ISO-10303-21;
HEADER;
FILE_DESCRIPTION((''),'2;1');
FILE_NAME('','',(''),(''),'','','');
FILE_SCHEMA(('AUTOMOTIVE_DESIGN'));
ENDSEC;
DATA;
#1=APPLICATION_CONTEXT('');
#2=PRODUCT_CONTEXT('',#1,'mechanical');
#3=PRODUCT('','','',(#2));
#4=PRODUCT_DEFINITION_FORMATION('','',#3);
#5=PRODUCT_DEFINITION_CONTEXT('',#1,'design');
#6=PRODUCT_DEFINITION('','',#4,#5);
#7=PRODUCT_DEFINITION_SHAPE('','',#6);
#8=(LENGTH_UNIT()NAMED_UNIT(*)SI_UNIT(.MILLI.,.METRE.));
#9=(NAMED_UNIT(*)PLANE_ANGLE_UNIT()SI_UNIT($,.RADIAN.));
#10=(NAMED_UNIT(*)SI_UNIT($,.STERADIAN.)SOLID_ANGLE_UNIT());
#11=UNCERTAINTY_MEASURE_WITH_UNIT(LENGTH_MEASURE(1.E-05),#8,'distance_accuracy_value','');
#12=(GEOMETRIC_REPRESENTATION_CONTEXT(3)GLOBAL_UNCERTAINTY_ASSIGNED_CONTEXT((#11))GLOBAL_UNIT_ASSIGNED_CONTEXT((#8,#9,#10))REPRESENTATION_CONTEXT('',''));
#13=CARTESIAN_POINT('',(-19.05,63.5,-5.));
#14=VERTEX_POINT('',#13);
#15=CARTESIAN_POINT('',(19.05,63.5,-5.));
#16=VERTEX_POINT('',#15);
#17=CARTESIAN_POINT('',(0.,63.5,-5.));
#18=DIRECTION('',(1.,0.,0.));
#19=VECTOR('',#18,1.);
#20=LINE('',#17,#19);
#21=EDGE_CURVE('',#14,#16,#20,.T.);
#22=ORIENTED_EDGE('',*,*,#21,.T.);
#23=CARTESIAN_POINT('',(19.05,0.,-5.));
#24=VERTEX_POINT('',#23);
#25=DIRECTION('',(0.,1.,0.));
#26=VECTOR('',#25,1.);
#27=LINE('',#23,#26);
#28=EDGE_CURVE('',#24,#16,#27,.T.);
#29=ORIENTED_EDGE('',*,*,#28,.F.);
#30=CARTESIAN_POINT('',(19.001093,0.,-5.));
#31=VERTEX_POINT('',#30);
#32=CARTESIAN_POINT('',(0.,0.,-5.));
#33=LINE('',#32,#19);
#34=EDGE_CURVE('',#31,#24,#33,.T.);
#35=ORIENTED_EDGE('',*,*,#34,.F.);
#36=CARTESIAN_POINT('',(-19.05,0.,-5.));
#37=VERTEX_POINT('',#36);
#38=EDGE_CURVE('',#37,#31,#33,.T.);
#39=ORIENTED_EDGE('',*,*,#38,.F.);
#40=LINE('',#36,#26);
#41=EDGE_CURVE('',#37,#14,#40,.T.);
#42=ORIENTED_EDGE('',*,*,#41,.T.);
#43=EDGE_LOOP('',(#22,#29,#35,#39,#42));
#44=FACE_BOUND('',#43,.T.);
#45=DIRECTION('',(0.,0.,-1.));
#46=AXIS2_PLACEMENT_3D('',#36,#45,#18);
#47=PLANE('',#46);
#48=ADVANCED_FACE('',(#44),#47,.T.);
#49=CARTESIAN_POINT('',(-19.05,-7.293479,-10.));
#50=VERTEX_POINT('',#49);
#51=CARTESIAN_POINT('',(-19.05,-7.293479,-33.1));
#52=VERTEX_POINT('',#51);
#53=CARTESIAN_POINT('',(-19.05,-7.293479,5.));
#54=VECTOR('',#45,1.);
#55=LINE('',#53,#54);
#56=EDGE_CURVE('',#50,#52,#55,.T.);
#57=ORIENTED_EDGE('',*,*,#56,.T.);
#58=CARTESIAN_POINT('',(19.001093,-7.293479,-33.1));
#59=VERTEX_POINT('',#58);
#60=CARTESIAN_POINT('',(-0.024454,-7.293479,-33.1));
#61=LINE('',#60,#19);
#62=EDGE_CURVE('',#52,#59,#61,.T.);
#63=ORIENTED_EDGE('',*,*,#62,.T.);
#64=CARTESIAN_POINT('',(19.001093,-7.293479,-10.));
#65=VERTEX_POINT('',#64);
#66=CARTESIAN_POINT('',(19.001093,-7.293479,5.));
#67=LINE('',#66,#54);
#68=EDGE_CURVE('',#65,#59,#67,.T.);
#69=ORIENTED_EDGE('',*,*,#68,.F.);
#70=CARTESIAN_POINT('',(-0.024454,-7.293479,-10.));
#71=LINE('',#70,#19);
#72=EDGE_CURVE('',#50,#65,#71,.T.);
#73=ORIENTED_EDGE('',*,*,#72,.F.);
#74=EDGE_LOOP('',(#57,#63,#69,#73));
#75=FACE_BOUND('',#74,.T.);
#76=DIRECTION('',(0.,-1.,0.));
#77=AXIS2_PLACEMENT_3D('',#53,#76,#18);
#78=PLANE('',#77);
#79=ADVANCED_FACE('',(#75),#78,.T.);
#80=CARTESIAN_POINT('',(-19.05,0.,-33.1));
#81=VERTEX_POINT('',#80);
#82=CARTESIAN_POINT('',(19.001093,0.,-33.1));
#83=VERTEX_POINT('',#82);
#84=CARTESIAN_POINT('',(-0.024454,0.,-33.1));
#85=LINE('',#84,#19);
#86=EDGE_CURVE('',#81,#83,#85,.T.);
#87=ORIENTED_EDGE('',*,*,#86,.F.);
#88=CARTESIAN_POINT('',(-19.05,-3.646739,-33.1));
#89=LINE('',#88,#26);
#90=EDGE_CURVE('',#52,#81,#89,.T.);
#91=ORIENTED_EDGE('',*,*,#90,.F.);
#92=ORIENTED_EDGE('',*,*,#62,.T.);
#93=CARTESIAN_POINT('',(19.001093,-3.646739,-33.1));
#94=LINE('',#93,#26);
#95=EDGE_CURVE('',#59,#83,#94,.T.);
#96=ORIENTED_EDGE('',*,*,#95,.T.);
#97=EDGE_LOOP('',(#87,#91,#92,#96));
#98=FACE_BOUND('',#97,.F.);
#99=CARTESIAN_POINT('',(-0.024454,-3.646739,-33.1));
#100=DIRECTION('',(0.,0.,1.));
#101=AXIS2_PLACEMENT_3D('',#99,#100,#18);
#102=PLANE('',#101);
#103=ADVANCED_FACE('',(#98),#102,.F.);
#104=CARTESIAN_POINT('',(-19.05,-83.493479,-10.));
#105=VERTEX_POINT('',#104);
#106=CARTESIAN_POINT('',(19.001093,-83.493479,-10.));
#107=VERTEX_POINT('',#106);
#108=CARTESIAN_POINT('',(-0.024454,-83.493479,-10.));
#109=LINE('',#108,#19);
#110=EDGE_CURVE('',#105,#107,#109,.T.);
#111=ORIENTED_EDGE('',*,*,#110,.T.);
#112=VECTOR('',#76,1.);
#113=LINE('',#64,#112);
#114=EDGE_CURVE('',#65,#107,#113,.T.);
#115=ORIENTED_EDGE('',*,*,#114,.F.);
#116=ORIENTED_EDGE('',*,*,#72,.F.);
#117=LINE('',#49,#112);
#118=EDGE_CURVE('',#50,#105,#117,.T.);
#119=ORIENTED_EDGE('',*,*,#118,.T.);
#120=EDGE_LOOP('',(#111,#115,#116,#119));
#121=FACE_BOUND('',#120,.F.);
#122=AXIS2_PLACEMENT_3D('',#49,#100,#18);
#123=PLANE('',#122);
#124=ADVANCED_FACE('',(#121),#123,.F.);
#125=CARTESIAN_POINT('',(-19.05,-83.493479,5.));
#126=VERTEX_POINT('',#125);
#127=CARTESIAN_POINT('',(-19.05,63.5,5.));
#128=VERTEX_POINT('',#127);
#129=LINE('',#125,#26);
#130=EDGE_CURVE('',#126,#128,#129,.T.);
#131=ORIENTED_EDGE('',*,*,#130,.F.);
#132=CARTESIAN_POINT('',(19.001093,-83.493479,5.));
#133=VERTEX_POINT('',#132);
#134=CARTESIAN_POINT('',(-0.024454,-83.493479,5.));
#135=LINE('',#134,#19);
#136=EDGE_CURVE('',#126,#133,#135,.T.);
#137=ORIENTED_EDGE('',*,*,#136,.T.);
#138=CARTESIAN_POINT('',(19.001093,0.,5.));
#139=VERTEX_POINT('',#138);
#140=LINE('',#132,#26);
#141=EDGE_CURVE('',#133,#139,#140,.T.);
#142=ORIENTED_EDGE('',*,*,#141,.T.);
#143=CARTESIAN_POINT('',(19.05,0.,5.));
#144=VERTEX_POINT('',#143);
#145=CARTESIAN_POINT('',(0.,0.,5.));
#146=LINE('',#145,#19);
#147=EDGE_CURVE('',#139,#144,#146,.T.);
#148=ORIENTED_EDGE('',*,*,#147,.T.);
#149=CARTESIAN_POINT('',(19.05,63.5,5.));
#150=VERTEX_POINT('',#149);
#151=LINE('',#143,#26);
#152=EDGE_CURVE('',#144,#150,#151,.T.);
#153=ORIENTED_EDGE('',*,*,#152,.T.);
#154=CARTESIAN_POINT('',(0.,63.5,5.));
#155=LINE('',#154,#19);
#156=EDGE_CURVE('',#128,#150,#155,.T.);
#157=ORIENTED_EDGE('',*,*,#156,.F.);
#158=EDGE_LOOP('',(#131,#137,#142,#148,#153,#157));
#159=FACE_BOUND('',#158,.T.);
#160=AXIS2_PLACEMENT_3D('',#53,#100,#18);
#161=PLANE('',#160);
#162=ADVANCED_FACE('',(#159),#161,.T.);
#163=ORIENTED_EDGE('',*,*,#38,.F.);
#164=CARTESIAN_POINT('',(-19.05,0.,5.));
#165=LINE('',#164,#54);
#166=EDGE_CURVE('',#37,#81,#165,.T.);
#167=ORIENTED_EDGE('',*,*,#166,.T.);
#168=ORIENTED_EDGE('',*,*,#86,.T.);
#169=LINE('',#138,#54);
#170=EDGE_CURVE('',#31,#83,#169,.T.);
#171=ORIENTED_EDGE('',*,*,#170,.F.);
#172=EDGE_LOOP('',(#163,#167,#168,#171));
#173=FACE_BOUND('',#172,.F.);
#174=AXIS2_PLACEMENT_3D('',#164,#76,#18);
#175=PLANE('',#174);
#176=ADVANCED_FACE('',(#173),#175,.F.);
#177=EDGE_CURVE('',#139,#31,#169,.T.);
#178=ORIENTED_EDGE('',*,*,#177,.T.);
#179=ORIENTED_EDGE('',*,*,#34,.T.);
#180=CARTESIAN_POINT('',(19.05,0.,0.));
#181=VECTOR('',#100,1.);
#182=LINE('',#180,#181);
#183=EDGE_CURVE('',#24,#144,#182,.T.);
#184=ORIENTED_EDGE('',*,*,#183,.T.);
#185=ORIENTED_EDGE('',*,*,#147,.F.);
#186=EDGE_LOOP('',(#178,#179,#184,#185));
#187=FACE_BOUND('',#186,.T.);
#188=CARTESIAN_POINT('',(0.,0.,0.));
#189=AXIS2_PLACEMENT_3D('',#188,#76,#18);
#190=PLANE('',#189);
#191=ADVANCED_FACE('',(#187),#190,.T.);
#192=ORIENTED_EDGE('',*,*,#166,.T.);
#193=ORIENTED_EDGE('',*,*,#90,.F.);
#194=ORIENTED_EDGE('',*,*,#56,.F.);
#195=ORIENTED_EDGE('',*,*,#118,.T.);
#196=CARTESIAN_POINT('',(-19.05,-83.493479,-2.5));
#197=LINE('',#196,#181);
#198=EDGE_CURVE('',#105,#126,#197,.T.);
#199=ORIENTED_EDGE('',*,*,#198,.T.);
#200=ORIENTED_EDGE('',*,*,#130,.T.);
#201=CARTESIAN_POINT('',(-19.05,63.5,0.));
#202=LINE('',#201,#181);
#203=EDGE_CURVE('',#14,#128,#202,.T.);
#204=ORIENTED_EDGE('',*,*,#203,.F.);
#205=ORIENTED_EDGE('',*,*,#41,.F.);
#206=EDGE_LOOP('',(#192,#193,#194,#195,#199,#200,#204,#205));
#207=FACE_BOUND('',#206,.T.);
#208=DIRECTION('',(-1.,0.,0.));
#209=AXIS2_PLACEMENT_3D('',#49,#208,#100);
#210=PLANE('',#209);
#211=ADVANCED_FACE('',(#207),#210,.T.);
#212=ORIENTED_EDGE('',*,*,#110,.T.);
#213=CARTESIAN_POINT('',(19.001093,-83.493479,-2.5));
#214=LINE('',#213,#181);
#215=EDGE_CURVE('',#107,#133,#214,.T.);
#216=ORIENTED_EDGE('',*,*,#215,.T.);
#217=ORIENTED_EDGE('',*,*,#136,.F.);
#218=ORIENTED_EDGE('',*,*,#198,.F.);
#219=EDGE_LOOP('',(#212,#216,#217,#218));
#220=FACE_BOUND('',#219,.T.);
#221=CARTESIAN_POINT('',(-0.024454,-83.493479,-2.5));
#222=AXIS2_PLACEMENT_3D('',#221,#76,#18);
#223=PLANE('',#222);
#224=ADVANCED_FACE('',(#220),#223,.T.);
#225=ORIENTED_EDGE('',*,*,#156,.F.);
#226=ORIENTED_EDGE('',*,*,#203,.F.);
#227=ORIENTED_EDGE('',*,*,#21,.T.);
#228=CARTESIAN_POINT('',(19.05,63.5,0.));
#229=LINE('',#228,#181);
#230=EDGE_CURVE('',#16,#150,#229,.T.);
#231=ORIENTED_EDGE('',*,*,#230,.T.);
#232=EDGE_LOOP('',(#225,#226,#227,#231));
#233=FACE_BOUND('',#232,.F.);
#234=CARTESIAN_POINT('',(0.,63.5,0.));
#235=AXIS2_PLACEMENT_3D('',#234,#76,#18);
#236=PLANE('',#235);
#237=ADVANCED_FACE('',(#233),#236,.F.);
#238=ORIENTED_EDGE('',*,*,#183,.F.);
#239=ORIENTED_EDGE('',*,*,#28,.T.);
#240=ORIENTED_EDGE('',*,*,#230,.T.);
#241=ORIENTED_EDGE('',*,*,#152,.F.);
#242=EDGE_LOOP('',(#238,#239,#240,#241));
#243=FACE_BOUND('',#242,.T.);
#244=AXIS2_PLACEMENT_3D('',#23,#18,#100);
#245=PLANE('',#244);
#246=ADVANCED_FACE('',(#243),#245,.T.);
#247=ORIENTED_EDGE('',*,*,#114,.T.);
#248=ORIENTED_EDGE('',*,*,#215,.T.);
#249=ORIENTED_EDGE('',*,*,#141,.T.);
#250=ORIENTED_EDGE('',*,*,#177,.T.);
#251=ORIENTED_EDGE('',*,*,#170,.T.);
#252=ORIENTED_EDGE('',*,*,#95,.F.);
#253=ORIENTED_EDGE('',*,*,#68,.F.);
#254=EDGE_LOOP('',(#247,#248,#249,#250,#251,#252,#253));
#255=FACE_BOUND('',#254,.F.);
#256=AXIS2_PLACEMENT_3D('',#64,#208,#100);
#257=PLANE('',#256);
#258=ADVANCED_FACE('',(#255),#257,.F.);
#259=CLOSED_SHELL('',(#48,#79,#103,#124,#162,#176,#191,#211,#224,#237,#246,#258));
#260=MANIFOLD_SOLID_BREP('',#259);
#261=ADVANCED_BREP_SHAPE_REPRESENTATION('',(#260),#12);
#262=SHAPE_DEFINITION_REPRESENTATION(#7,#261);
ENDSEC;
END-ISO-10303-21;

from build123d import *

# Parameters (mm, degrees)
F0_W     = 38.1
F0_H     = 10
F1_DEPTH = 63.5
F2_W     = 38.0510927618
F2_H     = 7.2934785858
F3_DEPTH = 38.1
F4_W     = 38.0510927618
F4_H     = 15
F5_DEPTH = 76.2


with BuildPart() as f1:
    # F0 (on Front) → F1 (new body)
    with BuildSketch(Plane.XZ):
        Rectangle(F0_W, F0_H)
    extrude(amount=-F1_DEPTH)

    # F2 (on face) → F3 (join)
    with BuildSketch(Plane.XY.offset(5)):
        with Locations((-0.0244536191, -3.6467392929)):
            Rectangle(F2_W, F2_H)
    extrude(amount=-F3_DEPTH)

    # F4 (on face) → F5 (join)
    with BuildSketch(Plane.XZ.offset(7.2934785858)):
        with Locations((-0.0244536191, -2.5)):
            Rectangle(F4_W, F4_H)
    extrude(amount=F5_DEPTH)


solid = f1.part
